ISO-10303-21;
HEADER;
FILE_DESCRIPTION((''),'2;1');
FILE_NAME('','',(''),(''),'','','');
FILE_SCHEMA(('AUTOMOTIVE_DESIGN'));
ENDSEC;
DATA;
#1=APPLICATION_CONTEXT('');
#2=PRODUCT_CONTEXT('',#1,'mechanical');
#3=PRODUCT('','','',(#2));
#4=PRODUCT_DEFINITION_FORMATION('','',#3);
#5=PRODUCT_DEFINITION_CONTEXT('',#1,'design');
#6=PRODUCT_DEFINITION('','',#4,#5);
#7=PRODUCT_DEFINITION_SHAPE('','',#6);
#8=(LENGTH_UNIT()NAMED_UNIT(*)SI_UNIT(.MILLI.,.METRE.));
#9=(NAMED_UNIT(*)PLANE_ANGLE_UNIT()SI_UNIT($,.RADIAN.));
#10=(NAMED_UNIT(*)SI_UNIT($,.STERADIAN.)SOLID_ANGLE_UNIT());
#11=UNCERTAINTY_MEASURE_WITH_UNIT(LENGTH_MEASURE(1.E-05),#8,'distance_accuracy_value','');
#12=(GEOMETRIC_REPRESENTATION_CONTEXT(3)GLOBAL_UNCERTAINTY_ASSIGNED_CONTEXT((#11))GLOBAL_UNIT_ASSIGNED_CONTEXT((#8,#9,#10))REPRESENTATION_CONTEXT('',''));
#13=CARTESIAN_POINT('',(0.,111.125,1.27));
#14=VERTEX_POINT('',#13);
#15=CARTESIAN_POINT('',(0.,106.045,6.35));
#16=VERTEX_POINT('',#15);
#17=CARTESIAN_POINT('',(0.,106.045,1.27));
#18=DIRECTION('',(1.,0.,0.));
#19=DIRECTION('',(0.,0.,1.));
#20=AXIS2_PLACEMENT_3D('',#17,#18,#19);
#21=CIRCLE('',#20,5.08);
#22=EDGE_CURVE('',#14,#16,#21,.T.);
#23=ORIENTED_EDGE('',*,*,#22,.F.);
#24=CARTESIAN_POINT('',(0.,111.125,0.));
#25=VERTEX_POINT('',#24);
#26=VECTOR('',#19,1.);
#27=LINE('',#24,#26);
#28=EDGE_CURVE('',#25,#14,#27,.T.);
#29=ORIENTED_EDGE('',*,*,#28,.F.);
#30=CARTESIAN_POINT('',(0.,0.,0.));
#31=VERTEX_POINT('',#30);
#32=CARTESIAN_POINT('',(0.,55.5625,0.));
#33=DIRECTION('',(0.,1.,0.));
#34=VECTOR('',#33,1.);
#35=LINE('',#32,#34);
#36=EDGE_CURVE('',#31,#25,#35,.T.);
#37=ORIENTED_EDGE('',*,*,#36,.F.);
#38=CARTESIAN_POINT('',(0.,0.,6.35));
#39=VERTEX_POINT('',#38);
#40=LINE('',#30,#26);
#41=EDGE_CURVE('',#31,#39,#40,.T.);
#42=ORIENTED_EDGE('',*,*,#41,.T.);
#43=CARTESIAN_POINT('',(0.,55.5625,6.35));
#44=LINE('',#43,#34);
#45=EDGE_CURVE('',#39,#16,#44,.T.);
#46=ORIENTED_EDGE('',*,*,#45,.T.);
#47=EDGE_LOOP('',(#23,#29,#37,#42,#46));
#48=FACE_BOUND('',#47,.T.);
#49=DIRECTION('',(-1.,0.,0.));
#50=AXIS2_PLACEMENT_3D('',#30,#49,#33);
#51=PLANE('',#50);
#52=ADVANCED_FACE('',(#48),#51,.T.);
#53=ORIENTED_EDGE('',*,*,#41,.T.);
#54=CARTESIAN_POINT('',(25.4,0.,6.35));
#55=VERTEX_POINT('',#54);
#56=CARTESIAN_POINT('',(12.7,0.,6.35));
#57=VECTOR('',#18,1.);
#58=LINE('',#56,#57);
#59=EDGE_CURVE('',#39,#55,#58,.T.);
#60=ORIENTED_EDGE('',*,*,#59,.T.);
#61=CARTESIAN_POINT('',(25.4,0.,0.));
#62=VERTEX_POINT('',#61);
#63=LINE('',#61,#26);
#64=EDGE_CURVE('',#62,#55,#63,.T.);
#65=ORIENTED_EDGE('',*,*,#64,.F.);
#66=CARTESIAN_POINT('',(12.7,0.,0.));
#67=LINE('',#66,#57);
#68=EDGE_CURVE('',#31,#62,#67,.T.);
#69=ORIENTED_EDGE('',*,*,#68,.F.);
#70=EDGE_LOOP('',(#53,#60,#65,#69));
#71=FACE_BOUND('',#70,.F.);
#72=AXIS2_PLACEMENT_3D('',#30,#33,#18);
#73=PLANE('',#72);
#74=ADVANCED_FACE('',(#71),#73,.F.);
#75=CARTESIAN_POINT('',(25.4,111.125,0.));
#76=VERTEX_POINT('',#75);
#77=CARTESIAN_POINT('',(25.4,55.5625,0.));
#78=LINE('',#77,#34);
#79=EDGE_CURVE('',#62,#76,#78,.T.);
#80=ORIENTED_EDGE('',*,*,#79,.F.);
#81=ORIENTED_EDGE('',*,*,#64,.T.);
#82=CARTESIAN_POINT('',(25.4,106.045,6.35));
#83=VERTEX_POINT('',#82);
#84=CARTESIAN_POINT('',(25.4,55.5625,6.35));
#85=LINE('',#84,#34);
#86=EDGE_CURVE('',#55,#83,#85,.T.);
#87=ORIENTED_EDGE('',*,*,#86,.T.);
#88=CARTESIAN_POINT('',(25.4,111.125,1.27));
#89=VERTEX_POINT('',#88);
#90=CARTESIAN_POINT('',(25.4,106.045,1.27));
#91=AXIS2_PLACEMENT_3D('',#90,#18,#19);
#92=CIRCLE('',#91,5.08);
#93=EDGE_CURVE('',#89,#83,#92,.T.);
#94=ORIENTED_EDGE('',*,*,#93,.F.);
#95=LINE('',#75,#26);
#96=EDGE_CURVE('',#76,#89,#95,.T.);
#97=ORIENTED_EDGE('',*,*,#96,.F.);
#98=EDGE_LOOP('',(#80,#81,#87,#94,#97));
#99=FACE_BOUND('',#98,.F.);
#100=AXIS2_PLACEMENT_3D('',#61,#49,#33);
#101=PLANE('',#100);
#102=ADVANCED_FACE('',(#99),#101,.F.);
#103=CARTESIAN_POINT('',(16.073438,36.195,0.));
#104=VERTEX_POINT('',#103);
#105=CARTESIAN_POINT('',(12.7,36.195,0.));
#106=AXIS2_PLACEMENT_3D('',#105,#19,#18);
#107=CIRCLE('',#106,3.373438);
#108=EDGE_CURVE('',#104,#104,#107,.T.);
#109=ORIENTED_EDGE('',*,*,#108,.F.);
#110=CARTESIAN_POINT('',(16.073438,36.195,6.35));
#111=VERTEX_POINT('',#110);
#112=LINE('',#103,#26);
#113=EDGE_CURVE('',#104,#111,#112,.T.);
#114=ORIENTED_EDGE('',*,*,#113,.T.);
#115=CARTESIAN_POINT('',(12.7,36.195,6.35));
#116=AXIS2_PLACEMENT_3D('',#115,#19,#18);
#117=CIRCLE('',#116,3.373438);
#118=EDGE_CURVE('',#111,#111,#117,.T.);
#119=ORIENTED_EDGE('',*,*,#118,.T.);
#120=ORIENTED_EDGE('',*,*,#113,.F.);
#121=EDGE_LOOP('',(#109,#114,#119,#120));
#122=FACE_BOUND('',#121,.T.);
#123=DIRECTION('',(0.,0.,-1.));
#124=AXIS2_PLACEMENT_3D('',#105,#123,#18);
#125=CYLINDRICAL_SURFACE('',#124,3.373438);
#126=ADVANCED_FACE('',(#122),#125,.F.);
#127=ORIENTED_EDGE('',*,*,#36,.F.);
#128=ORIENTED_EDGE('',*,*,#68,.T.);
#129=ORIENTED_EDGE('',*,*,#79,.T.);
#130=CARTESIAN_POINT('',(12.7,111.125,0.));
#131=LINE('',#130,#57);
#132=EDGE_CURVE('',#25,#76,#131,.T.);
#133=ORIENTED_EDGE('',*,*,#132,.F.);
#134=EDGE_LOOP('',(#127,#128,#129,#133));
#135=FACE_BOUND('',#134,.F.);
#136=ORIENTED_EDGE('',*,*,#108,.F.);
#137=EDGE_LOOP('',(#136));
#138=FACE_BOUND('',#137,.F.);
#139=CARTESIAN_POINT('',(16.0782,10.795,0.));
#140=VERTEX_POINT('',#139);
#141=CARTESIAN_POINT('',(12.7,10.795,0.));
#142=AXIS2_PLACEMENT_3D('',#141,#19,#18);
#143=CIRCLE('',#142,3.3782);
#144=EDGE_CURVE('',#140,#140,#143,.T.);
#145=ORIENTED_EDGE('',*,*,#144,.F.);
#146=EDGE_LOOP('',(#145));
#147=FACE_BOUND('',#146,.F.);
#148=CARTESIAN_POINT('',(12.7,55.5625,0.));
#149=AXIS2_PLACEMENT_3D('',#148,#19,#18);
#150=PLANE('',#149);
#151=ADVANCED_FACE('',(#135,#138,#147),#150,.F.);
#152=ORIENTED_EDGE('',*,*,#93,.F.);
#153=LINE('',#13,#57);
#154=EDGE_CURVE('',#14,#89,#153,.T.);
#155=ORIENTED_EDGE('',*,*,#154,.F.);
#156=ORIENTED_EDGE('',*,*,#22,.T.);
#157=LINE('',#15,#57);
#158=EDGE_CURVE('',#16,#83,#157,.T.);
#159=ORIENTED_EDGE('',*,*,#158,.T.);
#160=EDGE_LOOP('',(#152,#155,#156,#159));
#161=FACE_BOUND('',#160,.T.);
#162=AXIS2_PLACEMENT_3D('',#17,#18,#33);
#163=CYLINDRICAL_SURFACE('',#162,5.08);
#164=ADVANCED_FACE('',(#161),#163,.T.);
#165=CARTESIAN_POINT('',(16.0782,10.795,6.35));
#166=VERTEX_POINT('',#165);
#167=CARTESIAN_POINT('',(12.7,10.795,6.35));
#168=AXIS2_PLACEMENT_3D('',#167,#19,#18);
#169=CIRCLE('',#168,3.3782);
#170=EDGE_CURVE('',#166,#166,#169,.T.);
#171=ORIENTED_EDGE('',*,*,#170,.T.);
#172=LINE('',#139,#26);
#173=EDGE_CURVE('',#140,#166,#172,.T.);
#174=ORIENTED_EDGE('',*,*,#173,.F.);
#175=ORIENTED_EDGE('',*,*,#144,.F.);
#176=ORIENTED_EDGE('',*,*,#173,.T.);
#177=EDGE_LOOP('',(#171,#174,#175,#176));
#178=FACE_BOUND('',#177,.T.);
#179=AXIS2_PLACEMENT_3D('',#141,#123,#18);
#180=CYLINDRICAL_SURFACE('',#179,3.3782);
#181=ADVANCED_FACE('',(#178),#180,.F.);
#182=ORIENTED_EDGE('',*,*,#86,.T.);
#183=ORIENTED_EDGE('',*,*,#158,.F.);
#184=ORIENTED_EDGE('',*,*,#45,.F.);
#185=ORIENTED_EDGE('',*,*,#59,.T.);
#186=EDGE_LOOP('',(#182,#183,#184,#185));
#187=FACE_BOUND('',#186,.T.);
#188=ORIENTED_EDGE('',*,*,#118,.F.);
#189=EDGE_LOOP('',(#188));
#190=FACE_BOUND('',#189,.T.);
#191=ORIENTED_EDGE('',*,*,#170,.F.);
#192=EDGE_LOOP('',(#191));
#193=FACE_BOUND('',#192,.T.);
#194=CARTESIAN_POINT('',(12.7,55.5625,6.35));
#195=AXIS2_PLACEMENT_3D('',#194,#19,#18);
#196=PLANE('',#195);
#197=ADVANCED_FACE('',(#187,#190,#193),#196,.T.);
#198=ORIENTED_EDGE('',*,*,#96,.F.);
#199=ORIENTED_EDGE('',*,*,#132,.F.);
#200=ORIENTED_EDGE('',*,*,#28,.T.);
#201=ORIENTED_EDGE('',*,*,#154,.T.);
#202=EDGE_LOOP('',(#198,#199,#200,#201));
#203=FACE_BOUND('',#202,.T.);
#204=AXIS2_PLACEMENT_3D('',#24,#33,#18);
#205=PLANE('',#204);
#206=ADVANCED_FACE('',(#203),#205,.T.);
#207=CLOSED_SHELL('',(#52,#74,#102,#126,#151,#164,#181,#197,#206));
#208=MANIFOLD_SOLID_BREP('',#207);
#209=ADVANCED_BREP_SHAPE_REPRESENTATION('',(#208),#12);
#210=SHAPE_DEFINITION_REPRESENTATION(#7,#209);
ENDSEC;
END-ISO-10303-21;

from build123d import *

# Parameters (mm, degrees)
F0_W     = 25.4
F0_H     = 111.125
F0_R     = 3.3782
F0_R_2   = 3.373438
F1_DEPTH = 6.35
F2_R     = 5.08


with BuildPart() as f1:
    # F0 (on Top) → F1 (new body)
    with BuildSketch(Plane.XY):
        with Locations((12.7, 55.5625)):
            Rectangle(F0_W, F0_H)
        with Locations((12.7, 10.795)):
            Circle(F0_R, mode=Mode.SUBTRACT)
        with Locations((12.7, 36.195)):
            Circle(F0_R_2, mode=Mode.SUBTRACT)
    extrude(amount=F1_DEPTH)

    # F2
    f2_edges = [f1.edges().sort_by_distance(p)[0] for p in [
        (12.7, 111.125, 6.35),
    ]]
    fillet(f2_edges, radius=F2_R)


solid = f1.part
